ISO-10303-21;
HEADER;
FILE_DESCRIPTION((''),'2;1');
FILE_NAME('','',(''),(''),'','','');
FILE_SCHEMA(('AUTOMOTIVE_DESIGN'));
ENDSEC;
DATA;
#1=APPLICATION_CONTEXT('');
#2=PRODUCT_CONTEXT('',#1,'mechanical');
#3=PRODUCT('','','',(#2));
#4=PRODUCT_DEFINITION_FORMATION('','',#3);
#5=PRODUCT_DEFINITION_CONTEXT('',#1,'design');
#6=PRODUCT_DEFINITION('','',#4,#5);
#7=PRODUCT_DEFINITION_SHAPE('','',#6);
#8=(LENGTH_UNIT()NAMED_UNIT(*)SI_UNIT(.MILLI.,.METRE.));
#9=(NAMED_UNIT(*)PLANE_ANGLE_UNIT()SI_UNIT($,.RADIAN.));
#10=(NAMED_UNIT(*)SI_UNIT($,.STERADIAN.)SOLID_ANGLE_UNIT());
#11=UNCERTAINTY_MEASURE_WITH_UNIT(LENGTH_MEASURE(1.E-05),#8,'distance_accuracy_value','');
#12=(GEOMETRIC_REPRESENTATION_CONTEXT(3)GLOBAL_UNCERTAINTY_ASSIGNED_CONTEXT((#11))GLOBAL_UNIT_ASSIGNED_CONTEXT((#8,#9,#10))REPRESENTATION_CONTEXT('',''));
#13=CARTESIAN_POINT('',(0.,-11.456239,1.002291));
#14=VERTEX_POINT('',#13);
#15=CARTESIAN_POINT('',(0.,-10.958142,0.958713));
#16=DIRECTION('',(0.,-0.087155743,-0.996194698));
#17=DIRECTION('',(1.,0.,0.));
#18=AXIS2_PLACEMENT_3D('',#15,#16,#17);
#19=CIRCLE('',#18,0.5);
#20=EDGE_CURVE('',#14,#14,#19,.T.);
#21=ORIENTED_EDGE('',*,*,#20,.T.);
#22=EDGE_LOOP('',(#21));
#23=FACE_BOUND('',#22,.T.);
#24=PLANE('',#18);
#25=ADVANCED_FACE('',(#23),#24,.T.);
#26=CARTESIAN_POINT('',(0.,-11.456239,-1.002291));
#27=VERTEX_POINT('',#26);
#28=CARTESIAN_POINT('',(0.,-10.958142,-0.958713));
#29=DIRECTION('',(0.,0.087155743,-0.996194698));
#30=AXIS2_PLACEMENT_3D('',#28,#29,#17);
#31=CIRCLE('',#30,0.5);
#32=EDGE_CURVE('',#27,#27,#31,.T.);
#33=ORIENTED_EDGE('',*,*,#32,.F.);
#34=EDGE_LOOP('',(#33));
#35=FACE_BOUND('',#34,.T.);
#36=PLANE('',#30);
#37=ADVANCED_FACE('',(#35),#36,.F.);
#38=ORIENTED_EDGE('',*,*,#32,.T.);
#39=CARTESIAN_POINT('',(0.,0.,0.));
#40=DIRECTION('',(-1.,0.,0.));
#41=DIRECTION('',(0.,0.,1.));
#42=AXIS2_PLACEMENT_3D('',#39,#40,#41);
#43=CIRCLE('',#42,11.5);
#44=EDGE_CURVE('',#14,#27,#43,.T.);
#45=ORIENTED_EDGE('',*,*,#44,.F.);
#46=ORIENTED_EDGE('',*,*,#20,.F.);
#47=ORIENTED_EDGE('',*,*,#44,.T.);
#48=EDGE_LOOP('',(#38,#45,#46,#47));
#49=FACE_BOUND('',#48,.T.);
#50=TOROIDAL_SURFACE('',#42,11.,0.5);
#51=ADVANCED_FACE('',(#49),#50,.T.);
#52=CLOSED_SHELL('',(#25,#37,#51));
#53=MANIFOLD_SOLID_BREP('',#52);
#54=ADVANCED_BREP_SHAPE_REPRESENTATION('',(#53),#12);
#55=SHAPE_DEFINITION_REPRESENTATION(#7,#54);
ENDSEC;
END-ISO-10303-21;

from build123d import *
from build123d.topology import SkipClean

# Parameters (mm, degrees)
SKETCH1_R                = 0.5
REVOLVE1_ANGLE           = 175
REVOLVE1_OTHER_WAY_ANGLE = 175


with BuildPart() as part:
    # Sketch1 → Revolve1 (revolve)
    with BuildSketch(Plane.XY):
        with Locations((0, 11)):
            Circle(SKETCH1_R)
    revolve(axis=Axis((0.5, 0, 0), (-1, 0, 0)), revolution_arc=REVOLVE1_ANGLE)

    # Sketch1 → Revolve1 other way (revolve)
    with SkipClean():  # the faces are left unmerged after this step: merging them gives an invalid solid
        with BuildSketch(Plane.XY):
            with Locations((0, 11)):
                Circle(SKETCH1_R)
        revolve(axis=Axis((0.5, 0, 0), (1, 0, 0)), revolution_arc=REVOLVE1_OTHER_WAY_ANGLE)


solid = part.part
